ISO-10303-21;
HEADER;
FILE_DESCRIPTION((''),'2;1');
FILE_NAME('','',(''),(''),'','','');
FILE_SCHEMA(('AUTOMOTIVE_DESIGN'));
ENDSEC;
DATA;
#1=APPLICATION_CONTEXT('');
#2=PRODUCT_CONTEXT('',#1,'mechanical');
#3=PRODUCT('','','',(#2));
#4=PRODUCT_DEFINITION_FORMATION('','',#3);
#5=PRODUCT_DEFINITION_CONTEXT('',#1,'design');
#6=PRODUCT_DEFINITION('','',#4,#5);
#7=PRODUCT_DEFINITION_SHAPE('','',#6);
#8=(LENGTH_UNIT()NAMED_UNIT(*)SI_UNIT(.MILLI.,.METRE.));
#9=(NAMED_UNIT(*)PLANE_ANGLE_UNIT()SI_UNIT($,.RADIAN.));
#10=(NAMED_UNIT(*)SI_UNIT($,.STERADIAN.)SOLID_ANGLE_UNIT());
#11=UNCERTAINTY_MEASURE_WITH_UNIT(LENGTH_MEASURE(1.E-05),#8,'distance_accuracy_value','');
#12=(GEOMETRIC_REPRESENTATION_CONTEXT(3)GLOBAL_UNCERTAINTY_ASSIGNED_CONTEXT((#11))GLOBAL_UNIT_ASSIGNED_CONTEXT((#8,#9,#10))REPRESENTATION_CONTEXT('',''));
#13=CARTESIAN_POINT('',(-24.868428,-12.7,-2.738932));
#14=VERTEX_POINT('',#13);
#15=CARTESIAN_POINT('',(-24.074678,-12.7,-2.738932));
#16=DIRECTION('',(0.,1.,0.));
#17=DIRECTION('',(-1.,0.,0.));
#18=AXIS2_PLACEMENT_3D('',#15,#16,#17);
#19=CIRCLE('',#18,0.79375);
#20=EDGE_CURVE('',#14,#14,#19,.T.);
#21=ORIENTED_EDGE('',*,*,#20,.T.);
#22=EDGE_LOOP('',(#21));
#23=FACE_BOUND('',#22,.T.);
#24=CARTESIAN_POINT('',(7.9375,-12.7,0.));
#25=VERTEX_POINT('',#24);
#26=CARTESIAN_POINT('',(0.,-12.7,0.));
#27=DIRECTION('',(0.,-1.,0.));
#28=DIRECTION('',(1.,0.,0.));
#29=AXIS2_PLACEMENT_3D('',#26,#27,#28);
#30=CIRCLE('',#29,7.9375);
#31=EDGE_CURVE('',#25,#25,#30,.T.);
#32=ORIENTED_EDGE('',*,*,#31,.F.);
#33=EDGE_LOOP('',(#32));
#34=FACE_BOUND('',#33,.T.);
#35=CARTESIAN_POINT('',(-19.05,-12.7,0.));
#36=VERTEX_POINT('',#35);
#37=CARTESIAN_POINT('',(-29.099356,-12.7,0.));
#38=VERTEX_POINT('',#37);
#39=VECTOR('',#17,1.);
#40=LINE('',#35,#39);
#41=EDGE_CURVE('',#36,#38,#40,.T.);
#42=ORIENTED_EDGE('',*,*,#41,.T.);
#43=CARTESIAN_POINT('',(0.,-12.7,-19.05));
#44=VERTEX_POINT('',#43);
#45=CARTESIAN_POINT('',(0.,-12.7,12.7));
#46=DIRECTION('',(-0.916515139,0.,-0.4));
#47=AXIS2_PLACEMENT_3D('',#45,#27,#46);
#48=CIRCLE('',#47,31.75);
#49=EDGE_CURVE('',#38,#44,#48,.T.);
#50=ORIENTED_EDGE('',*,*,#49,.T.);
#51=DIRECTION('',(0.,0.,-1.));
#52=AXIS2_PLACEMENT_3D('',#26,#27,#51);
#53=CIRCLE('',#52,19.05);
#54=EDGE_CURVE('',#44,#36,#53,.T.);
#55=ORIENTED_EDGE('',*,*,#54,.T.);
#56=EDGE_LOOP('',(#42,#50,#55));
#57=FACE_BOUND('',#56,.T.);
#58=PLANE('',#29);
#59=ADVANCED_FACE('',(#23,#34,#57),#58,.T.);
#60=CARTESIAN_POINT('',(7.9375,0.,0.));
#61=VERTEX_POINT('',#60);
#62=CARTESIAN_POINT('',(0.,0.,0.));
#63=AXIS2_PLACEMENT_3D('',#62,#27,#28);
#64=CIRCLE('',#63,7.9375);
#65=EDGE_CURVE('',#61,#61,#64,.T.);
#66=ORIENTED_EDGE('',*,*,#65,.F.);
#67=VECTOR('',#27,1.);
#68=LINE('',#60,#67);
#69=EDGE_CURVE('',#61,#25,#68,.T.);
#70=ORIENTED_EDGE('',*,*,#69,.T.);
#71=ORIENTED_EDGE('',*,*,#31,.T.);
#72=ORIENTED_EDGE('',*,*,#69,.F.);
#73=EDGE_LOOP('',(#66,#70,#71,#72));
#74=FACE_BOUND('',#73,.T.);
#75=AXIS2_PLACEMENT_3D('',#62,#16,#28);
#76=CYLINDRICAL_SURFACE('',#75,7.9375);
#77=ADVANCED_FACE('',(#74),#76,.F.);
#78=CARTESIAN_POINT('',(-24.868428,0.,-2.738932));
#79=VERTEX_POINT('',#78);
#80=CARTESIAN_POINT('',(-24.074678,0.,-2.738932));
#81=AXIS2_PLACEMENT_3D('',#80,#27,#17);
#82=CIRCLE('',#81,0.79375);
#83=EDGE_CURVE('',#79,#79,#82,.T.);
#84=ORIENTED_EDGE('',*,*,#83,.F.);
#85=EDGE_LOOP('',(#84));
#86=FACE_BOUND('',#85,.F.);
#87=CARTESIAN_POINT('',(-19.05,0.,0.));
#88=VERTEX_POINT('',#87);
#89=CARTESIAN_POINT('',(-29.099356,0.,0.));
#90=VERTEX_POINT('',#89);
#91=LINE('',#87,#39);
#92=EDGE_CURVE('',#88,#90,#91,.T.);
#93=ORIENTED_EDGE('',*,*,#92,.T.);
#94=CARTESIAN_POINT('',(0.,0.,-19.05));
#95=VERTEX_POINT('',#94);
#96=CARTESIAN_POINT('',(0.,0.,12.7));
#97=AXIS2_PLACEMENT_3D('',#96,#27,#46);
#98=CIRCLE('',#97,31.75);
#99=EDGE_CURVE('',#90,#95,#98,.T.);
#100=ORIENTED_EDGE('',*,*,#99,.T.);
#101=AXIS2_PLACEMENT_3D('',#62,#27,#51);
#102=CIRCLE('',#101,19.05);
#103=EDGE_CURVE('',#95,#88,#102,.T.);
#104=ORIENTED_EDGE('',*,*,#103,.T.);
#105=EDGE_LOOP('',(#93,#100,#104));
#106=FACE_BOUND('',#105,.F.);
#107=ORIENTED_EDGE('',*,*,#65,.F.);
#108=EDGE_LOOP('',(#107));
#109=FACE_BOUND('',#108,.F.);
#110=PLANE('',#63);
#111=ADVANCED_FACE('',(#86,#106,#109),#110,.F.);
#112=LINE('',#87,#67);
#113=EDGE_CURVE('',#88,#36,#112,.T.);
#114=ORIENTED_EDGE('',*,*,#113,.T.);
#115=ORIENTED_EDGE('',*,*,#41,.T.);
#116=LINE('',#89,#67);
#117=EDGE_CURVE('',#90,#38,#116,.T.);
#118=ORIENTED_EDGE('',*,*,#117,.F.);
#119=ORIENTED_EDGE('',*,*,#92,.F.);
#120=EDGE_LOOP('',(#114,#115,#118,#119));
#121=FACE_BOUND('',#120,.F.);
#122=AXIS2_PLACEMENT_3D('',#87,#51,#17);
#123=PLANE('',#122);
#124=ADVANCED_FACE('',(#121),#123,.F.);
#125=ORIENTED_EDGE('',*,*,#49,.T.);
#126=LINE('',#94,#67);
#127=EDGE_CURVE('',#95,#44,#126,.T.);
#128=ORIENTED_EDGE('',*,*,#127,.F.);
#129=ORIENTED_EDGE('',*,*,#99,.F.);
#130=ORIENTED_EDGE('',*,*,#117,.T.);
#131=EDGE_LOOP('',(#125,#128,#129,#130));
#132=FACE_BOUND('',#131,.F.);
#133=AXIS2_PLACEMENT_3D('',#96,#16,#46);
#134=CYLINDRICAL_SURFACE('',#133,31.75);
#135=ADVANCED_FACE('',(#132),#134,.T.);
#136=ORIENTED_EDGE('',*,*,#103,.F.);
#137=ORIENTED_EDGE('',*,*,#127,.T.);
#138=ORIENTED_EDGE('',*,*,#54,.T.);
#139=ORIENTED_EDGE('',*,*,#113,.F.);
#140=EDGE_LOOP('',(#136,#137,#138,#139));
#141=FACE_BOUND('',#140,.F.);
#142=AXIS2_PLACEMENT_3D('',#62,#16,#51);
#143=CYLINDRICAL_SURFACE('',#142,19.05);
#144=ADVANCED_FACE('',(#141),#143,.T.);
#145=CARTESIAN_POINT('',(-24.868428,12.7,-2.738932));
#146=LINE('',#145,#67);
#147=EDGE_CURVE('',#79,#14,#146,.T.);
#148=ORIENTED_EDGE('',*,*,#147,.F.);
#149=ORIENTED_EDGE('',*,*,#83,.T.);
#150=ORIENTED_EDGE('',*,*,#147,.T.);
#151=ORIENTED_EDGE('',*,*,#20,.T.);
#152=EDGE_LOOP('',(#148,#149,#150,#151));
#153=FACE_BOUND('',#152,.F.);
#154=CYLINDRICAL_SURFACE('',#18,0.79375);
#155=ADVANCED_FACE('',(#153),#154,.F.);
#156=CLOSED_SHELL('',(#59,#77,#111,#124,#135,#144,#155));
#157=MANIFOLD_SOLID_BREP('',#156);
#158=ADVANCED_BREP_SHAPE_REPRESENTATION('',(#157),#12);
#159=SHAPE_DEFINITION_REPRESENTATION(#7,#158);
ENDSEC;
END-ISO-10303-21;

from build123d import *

# Parameters (mm, degrees)
F0_R           = 12.7
F0_R_2         = 7.9375
F1_DEPTH       = 12.7
F3_D           = 1.5875
F3_DEPTH       = 25.4
F3_CBORE_D     = 1.5875
F3_CBORE_DEPTH = 6.35
F3_TIP         = 0.4769331164


with BuildPart() as f1:
    # F0 (on Front) → F1 (new body)
    with BuildSketch(Plane.XZ):
        with BuildLine():
            ThreePointArc((0, -19.05), (13.4703841816, -13.4703841816), (19.05, 0))
            ThreePointArc((19.05, 0), (0, 19.05), (-19.05, 0))
            ThreePointArc((-19.05, 0), (-13.4703841816, -13.4703841816), (0, -19.05))
        make_face()
        Circle(F0_R, mode=Mode.SUBTRACT)
        Circle(F0_R)
        Circle(F0_R_2, mode=Mode.SUBTRACT)
        with BuildLine():
            ThreePointArc((0, -19.05), (-13.4703841816, -13.4703841816), (-19.05, 0))
            Line((-19.05, 0), (-29.099355663, 0))
            ThreePointArc((-29.099355663, 0), (-17.3901912008, -13.8639558425), (0, -19.05))
        make_face()
    extrude(amount=F1_DEPTH)

    # F3
    with Locations(Plane.XZ.offset(12.7)):
        with Locations((-24.0746778315, -2.738931682)):
            CounterBoreHole(F3_D / 2, F3_CBORE_D / 2, F3_CBORE_DEPTH, depth=F3_DEPTH)
            with Locations((0, 0, -(F3_DEPTH + F3_TIP / 2))):  # 118° drill point
                Cone(0, F3_D / 2, F3_TIP, mode=Mode.SUBTRACT)


solid = f1.part
